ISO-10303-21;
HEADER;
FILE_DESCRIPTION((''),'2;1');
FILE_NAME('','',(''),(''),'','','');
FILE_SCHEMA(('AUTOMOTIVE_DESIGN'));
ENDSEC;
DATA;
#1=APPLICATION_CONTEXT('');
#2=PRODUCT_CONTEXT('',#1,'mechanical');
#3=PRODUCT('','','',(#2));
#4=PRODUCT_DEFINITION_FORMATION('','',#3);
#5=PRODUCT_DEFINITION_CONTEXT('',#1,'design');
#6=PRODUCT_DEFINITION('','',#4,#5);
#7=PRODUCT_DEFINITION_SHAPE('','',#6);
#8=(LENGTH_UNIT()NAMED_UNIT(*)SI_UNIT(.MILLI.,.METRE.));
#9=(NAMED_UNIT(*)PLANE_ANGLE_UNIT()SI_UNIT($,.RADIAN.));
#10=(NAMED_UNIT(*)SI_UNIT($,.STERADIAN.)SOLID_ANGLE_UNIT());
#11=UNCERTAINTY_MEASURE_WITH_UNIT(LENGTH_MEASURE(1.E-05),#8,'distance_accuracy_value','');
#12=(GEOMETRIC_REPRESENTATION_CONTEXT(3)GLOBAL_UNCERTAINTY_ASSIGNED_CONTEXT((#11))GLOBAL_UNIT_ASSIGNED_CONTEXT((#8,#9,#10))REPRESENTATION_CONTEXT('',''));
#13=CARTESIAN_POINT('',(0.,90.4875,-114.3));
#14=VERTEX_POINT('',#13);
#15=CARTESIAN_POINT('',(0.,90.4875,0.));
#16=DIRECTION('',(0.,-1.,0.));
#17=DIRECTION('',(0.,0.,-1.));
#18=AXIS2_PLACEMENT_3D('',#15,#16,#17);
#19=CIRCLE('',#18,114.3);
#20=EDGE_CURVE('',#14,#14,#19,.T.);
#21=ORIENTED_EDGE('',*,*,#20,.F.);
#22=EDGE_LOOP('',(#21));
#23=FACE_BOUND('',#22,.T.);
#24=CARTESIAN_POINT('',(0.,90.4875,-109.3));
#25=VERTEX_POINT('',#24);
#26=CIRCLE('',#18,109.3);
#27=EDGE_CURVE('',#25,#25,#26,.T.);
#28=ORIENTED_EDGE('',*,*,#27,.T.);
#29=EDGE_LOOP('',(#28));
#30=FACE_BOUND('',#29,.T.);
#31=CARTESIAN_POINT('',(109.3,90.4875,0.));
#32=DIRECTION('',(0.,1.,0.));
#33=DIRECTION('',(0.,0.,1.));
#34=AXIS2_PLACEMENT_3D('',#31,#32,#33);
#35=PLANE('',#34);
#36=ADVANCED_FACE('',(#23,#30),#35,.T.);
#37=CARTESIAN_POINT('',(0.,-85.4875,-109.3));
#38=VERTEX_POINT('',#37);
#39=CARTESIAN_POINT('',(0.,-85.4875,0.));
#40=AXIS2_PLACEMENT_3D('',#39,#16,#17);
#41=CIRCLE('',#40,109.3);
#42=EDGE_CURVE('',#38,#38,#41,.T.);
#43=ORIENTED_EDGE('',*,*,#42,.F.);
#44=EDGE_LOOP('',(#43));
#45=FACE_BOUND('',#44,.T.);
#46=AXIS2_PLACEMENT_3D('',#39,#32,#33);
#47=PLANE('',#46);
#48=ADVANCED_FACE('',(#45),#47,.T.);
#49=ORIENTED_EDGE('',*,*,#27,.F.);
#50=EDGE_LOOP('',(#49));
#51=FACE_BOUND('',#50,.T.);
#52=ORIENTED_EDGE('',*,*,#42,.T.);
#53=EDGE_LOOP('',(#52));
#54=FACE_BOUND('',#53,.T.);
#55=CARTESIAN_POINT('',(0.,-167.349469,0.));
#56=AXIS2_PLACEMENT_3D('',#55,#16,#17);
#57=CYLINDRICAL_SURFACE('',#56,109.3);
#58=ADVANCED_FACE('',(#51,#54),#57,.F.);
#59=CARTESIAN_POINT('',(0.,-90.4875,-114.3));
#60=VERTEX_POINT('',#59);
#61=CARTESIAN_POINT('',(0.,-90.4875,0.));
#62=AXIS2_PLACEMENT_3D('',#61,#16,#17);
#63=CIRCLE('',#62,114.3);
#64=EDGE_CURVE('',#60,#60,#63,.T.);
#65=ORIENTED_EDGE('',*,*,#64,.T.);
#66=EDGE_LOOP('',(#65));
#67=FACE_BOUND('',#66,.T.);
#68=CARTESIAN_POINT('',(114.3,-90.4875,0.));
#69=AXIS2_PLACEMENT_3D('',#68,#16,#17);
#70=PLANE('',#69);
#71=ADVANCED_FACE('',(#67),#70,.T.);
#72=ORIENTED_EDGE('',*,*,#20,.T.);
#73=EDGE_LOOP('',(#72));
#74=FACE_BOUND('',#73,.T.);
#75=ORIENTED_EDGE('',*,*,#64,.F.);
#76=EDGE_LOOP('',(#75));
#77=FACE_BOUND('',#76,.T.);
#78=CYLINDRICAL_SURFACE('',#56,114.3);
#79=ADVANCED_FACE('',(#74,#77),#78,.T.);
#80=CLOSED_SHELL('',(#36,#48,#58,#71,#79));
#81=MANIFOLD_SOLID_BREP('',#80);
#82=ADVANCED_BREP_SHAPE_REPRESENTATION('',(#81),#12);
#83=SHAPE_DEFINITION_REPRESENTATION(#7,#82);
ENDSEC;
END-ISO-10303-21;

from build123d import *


with BuildPart() as part:
    # Sketch1 → Revolve1 (revolve)
    with BuildSketch(Plane.XY, mode=Mode.PRIVATE) as revolve1_sk:
        Polygon((0, -85.4875), (109.3, -85.4875), (109.3, 90.4875), (114.3, 90.4875), (114.3, -90.4875), (0, -90.4875), align=None)
    revolve(revolve1_sk.sketch.rotate(Axis((0, -167.349469112, 0), (0, 1, 0)), 90), axis=Axis((0, -167.349469112, 0), (0, 1, 0)))


solid = part.part
